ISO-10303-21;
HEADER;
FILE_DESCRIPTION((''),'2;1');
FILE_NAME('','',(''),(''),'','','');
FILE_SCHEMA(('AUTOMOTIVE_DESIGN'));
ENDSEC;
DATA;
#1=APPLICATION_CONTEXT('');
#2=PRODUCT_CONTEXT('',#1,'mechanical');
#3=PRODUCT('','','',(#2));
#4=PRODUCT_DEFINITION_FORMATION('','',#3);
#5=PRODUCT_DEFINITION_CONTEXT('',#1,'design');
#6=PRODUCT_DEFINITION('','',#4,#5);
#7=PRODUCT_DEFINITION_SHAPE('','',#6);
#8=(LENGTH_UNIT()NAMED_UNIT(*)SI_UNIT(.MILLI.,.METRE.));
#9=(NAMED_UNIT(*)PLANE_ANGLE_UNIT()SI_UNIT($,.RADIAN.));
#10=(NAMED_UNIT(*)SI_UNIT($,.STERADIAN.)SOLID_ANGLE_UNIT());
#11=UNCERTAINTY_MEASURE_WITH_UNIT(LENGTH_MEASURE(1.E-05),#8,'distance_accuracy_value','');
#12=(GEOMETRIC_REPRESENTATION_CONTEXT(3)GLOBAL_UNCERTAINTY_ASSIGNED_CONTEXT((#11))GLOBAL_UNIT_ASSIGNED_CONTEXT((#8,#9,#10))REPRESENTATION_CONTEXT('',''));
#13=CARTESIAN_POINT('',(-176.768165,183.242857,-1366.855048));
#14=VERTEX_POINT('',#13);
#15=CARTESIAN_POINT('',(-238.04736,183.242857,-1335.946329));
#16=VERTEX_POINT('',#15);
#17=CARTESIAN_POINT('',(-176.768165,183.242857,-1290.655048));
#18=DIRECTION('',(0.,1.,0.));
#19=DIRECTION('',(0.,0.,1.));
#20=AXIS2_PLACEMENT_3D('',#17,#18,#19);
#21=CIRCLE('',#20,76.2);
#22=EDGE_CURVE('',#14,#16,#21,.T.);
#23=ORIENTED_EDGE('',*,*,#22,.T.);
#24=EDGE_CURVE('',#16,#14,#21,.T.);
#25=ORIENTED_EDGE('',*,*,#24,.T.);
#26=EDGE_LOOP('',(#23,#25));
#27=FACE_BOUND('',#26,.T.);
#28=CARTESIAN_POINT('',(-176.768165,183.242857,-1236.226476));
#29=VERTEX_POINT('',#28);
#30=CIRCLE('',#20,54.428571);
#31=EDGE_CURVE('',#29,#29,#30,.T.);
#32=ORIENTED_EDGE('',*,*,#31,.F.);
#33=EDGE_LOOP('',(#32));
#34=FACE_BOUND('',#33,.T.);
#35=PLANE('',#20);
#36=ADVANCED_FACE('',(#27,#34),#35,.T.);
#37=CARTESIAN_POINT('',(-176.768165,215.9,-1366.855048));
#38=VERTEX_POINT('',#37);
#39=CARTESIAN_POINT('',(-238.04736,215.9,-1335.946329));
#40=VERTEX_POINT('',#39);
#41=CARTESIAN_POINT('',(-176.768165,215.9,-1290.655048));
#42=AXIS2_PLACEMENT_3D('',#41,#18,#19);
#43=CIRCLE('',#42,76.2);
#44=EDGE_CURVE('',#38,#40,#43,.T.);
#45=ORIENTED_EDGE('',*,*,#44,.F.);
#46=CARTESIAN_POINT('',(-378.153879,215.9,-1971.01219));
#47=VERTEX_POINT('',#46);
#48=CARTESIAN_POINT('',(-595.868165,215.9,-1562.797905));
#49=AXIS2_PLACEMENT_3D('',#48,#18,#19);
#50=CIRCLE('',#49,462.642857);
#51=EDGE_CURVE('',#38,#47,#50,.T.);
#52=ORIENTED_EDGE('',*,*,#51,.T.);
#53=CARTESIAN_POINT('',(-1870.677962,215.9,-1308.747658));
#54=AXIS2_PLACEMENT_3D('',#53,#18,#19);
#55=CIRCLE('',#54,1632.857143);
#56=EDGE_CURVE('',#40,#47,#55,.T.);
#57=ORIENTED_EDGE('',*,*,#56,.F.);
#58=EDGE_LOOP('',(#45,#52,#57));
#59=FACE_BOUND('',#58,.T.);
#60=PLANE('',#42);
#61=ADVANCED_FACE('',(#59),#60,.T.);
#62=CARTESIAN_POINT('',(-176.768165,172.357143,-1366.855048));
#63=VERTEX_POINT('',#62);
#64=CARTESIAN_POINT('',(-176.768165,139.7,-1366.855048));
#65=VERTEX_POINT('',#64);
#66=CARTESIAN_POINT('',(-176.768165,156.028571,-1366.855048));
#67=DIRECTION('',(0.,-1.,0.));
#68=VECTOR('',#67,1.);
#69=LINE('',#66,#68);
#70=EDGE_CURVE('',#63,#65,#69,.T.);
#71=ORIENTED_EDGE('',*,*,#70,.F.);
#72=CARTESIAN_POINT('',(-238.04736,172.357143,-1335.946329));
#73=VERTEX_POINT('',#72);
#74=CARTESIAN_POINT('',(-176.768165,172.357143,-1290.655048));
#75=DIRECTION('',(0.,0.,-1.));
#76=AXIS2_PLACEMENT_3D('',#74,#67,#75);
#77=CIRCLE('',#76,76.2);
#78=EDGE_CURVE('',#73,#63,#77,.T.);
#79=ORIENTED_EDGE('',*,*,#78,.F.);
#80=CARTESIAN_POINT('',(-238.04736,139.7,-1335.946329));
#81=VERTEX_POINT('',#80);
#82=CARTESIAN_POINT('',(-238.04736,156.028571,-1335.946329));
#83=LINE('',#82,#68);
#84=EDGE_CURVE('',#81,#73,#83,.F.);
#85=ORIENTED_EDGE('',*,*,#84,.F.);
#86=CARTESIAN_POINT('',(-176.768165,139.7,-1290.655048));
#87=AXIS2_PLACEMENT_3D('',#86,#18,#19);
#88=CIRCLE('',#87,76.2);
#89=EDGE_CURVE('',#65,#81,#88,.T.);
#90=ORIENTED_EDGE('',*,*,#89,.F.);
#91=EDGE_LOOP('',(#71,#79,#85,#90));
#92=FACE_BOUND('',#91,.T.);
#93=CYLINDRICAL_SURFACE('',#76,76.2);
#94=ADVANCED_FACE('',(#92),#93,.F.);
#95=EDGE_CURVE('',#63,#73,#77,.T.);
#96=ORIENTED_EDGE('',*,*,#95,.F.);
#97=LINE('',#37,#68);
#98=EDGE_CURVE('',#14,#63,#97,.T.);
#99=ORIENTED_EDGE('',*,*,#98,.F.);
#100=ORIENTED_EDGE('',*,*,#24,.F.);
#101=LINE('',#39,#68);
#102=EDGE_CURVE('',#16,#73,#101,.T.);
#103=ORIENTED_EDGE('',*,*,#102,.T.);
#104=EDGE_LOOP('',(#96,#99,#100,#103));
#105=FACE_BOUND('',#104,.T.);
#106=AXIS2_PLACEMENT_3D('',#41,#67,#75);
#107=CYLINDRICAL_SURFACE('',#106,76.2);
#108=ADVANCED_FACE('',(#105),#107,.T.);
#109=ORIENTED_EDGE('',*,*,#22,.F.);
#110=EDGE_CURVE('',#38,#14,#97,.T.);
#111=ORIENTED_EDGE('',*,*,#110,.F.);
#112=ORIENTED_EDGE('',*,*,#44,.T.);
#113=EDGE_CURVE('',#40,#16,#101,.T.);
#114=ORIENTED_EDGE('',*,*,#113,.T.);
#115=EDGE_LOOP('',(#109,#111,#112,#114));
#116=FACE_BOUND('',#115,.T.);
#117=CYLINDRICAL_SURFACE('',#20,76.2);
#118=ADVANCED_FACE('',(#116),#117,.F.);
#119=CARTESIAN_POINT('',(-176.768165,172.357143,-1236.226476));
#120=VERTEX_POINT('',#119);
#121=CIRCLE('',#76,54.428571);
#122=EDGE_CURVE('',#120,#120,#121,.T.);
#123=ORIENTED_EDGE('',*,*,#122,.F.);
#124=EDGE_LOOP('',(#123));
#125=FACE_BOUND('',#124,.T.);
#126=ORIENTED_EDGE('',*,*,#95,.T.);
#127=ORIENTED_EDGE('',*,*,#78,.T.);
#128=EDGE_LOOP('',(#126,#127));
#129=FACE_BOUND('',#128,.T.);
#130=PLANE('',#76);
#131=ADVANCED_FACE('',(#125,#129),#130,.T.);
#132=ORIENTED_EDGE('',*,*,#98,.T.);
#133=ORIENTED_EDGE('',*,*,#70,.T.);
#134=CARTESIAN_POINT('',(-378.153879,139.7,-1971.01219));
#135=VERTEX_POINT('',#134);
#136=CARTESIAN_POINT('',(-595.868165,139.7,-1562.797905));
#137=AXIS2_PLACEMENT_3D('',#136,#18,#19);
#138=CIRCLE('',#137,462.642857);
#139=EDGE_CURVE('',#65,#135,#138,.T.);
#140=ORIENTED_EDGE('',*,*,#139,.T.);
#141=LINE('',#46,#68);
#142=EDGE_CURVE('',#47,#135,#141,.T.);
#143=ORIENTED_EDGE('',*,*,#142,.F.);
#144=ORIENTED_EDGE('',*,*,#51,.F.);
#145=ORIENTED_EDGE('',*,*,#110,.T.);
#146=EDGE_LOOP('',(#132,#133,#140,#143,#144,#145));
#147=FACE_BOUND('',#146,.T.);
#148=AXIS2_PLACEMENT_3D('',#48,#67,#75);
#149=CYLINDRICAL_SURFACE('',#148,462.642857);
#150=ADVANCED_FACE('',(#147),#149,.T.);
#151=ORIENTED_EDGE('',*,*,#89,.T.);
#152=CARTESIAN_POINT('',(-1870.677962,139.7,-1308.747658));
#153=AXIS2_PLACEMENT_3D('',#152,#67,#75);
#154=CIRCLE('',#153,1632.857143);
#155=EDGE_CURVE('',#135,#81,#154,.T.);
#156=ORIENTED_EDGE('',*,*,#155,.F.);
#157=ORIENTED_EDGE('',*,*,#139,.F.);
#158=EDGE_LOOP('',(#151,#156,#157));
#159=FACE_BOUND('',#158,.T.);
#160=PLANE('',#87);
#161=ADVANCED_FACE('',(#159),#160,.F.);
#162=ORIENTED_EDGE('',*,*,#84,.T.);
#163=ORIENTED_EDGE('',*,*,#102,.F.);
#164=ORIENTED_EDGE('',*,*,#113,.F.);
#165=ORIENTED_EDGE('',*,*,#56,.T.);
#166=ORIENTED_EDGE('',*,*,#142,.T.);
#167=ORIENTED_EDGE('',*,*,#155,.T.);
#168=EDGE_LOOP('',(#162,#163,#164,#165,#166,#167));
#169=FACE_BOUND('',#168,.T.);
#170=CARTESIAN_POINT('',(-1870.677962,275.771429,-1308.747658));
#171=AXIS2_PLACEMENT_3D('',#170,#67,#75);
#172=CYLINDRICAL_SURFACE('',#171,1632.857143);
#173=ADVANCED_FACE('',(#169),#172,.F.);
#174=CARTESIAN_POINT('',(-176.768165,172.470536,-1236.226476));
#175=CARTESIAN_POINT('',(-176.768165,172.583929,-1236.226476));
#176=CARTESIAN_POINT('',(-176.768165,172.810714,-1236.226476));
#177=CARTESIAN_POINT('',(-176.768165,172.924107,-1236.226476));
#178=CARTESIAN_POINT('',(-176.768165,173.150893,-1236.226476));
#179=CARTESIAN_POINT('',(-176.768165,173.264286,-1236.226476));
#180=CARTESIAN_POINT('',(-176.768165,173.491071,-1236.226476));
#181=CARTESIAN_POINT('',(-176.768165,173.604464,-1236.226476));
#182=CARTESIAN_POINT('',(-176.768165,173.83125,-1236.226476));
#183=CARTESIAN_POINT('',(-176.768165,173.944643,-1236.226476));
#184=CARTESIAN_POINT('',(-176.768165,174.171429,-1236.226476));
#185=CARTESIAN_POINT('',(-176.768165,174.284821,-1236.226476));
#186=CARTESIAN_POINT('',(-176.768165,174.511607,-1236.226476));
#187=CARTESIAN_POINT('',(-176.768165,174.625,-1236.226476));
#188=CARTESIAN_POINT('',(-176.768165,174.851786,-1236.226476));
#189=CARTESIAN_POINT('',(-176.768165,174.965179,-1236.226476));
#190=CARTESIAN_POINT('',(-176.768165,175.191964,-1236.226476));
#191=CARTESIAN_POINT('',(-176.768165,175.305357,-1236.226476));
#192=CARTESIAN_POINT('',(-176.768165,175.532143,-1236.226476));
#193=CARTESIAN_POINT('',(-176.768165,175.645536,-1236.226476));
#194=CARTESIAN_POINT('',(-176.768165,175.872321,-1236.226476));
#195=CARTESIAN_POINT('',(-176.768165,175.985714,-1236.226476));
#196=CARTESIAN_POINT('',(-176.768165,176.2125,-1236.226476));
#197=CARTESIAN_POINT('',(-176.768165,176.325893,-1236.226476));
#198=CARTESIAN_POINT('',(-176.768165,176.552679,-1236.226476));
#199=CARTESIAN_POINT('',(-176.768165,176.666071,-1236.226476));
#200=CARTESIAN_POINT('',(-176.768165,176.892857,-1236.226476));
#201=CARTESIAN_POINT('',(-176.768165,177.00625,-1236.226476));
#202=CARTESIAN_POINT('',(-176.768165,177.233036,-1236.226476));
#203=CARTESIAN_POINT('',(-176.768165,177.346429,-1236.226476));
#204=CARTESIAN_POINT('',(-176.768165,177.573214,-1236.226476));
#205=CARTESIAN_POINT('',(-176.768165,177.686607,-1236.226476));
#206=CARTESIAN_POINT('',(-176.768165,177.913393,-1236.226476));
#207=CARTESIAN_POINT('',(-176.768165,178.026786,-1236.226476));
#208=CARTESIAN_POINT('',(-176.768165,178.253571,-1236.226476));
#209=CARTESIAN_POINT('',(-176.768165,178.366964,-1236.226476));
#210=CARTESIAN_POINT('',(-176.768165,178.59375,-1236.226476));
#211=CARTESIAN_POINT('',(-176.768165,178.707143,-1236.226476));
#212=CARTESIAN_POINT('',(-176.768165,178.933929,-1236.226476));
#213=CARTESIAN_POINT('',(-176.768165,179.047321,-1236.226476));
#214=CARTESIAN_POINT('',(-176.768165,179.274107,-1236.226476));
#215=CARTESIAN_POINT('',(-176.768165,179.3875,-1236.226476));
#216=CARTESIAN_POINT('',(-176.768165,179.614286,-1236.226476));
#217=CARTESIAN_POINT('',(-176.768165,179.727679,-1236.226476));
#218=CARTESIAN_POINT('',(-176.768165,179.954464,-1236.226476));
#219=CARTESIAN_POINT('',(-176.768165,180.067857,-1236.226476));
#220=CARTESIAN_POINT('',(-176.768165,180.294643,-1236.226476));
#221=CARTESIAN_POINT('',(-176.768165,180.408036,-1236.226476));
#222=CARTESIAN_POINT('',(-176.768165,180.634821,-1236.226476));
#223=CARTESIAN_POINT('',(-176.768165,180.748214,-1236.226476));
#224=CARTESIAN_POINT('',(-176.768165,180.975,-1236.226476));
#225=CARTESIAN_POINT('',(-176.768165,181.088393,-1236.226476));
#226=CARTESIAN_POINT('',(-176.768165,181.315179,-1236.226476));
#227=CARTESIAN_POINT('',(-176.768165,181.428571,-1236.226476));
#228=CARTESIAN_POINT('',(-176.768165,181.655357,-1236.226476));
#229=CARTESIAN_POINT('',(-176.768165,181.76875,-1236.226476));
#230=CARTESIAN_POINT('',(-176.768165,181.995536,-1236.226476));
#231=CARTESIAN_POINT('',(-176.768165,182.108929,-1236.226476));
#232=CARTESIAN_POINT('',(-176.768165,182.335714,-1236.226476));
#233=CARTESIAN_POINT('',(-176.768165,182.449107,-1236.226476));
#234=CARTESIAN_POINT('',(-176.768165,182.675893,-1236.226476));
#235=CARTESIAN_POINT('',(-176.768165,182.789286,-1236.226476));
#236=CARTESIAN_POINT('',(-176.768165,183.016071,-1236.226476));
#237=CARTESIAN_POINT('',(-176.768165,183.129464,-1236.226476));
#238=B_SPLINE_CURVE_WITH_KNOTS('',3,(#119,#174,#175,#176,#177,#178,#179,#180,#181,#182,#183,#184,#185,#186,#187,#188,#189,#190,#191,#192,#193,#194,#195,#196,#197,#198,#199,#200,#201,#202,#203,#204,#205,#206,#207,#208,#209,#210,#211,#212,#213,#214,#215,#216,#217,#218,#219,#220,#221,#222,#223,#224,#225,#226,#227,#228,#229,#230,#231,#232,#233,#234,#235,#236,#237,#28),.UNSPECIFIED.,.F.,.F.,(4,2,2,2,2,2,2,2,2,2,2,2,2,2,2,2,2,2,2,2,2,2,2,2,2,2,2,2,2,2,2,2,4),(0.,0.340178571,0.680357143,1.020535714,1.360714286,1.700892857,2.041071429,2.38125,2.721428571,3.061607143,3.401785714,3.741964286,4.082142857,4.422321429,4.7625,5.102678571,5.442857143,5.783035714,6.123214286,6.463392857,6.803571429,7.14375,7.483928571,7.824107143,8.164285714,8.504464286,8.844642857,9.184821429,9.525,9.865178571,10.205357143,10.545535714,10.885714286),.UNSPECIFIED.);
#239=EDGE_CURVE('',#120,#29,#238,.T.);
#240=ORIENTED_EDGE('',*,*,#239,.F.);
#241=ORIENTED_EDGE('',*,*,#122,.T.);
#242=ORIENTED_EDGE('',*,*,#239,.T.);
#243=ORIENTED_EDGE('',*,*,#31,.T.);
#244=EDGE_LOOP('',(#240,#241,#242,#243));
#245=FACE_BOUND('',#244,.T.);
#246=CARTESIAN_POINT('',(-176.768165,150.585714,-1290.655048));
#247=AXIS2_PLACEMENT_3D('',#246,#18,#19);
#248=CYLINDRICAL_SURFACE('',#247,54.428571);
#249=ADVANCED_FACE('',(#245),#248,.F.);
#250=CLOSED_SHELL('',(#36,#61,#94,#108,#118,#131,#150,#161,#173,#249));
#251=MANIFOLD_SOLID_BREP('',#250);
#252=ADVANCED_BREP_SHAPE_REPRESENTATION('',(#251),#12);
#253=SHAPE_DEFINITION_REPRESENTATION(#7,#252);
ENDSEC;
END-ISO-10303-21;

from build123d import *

# Parameters (mm, degrees)
BOSS_EXTRUDE1_DEPTH = 355.6
CUT_EXTRUDE2_START  = -152.4
SKETCH5_R           = 355.6
CUT_EXTRUDE2_DEPTH  = 152.4
SKETCH6_R           = 355.6
CUT_EXTRUDE3_DEPTH  = 152.4
SKETCH7_R           = 254
CUT_EXTRUDE4_DEPTH  = 152.4
CUT_EXTRUDE5_DEPTH  = 635
SCALE1_SCALE        = 0.214285714


with BuildPart() as part:
    # Sketch2 → Boss-Extrude1 (new body)
    with BuildSketch(Plane(origin=(0, 0, 0), x_dir=(1, 0, 0), z_dir=(0, 1, 0))):
        with BuildLine():
            ThreePointArc((-939.8, 3175), (-1137.137455821, 1577.520446779), (-285.969579472, 211.359314005))
            ThreePointArc((-285.969579472, 211.359314005), (160.143666656, -317.498607918), (0, 355.6))
            ThreePointArc((0, 355.6), (92.407240491, 1952.73574683), (-939.8, 3175))
        make_face()
    extrude(amount=BOSS_EXTRUDE1_DEPTH)

    # Sketch5 → Cut-Extrude2 (cut)
    with BuildSketch(Plane(origin=(0, 355.6, 0), x_dir=(1, 0, 0), z_dir=(0, 1, 0)).offset(CUT_EXTRUDE2_START)):
        Circle(SKETCH5_R)
    extrude(amount=CUT_EXTRUDE2_DEPTH, mode=Mode.SUBTRACT)

    # Sketch6 → Cut-Extrude3 (cut)
    with BuildSketch(Plane.XZ):
        Circle(SKETCH6_R)
    extrude(amount=-CUT_EXTRUDE3_DEPTH, mode=Mode.SUBTRACT)

    # Sketch7 → Cut-Extrude4 (cut)
    with BuildSketch(Plane(origin=(0, 203.2, 0), x_dir=(1, 0, 0), z_dir=(0, 1, 0))):
        Circle(SKETCH7_R)
    extrude(amount=-CUT_EXTRUDE4_DEPTH, mode=Mode.SUBTRACT)

    # Sketch8 → Cut-Extrude5 (cut)
    with BuildSketch(Plane.XZ):
        with BuildLine():
            ThreePointArc((-285.969579472, -211.359314005), (-1137.137455821, -1577.520446779), (-939.8, -3175))
            ThreePointArc((-939.8, -3175), (-463.84673696, -1726.060030518), (-285.969579472, -211.359314005))
        make_face()
    extrude(amount=-CUT_EXTRUDE5_DEPTH, mode=Mode.SUBTRACT)


with BuildPart() as part_1:
    # Scale1: scaled about (-224.977664094, 177.8, -1642.651878674)
    add(part.part.scale(SCALE1_SCALE).moved(Location((-176.768164645, 139.7, -1290.65504753))))


solid = part_1.part
